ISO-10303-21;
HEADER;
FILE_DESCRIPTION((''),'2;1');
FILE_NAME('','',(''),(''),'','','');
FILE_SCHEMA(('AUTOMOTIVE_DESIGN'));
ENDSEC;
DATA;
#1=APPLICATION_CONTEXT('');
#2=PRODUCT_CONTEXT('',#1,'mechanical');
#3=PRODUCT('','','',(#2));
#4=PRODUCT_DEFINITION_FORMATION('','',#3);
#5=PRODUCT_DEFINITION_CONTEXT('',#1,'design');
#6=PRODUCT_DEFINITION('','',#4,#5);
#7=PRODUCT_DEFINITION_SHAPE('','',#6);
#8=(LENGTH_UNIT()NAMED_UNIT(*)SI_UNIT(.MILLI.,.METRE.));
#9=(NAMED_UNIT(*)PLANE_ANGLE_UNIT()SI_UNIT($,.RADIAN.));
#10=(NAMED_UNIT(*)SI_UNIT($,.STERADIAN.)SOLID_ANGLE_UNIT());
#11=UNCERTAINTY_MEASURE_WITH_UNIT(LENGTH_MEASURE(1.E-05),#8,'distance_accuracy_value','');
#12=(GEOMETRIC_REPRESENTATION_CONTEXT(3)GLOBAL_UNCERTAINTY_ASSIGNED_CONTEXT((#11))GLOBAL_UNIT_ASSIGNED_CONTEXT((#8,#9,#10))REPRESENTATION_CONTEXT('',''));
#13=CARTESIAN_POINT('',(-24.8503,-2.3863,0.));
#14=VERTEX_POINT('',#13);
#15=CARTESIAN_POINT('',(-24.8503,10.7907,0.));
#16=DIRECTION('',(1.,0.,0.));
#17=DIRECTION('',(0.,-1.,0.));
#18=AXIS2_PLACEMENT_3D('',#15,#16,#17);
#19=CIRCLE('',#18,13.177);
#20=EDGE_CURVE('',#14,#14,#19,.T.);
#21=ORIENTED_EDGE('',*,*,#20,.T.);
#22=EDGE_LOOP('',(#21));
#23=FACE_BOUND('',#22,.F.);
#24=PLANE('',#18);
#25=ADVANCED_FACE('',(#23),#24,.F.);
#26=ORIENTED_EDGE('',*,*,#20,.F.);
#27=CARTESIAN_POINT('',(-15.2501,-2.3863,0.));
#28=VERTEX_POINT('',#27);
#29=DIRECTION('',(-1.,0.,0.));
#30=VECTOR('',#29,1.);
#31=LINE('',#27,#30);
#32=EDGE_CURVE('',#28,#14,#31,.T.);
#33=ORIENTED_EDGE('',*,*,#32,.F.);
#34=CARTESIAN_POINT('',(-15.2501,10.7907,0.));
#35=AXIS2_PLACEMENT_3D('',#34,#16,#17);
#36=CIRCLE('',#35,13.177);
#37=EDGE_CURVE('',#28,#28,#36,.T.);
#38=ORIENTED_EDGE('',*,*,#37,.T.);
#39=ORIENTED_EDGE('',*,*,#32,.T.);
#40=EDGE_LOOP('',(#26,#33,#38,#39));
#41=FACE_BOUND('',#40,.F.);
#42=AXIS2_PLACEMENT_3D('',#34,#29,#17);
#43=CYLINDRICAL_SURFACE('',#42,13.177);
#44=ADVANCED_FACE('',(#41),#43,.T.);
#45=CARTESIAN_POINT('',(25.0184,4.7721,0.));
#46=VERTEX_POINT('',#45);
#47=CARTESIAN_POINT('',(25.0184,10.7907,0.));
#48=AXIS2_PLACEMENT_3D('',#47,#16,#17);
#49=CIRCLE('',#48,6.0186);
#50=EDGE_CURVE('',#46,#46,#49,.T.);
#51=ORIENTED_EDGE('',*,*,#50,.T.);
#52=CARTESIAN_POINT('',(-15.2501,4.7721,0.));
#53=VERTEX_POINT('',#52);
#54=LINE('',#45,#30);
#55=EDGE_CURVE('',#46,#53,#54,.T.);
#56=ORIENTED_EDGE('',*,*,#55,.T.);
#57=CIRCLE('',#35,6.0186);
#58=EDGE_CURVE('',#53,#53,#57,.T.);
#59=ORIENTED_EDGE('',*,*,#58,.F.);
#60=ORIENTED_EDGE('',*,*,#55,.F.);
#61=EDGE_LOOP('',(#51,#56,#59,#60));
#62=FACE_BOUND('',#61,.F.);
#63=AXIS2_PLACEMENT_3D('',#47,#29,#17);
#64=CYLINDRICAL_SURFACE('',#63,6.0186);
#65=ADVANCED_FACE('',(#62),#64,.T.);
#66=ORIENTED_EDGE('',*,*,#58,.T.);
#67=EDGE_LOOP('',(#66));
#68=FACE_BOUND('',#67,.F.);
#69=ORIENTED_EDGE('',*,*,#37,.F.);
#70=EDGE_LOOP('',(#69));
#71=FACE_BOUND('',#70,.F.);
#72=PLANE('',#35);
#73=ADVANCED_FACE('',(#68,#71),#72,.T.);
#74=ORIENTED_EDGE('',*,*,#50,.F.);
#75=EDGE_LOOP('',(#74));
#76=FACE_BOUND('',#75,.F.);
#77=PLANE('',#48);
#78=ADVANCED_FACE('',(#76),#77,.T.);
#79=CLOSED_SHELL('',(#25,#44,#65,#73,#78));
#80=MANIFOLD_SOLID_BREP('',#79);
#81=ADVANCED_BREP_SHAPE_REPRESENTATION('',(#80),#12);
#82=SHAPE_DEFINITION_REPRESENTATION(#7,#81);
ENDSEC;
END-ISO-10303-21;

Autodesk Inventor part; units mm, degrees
ref_plane "YZ Plane" through (0, 0, 0) normal (1, 0, 0) x (0, 1, 0)
ref_plane "XZ Plane" through (0, 0, 0) normal (0, 1, 0) x (-1, 0, 0)
ref_plane "XY Plane" through (0, 0, 0) normal (0, 0, 1) x (1, 0, 0)
sketch "Sketch1" plane through (0, 0, 0) normal (0, 0, 1) x (1, 0, 0)
  line L0 (-24.8503, 10.7907) -> (25.0184, 10.7907)
  line L1 (25.0184, 10.7907) -> (25.0184, 4.7721)
  line L2 (25.0184, 4.7721) -> (-15.2501, 4.7721)
  line L3 (-24.8503, -2.3863) -> (-24.8503, 10.7907)
  line L4 (-15.2501, 4.7721) -> (-15.2501, -2.3863)
  line L5 (-15.2501, -2.3863) -> (-24.8503, -2.3863)
  line L6 (-24.8503, -2.3863) -> (-24.8503, -2.3863)
revolve "Revolution1" add sketch "Sketch1" angle 360 about axis through (-24.8503, 10.7907, 0) along (1, 0, 0)
properties part number "TableLEG"
